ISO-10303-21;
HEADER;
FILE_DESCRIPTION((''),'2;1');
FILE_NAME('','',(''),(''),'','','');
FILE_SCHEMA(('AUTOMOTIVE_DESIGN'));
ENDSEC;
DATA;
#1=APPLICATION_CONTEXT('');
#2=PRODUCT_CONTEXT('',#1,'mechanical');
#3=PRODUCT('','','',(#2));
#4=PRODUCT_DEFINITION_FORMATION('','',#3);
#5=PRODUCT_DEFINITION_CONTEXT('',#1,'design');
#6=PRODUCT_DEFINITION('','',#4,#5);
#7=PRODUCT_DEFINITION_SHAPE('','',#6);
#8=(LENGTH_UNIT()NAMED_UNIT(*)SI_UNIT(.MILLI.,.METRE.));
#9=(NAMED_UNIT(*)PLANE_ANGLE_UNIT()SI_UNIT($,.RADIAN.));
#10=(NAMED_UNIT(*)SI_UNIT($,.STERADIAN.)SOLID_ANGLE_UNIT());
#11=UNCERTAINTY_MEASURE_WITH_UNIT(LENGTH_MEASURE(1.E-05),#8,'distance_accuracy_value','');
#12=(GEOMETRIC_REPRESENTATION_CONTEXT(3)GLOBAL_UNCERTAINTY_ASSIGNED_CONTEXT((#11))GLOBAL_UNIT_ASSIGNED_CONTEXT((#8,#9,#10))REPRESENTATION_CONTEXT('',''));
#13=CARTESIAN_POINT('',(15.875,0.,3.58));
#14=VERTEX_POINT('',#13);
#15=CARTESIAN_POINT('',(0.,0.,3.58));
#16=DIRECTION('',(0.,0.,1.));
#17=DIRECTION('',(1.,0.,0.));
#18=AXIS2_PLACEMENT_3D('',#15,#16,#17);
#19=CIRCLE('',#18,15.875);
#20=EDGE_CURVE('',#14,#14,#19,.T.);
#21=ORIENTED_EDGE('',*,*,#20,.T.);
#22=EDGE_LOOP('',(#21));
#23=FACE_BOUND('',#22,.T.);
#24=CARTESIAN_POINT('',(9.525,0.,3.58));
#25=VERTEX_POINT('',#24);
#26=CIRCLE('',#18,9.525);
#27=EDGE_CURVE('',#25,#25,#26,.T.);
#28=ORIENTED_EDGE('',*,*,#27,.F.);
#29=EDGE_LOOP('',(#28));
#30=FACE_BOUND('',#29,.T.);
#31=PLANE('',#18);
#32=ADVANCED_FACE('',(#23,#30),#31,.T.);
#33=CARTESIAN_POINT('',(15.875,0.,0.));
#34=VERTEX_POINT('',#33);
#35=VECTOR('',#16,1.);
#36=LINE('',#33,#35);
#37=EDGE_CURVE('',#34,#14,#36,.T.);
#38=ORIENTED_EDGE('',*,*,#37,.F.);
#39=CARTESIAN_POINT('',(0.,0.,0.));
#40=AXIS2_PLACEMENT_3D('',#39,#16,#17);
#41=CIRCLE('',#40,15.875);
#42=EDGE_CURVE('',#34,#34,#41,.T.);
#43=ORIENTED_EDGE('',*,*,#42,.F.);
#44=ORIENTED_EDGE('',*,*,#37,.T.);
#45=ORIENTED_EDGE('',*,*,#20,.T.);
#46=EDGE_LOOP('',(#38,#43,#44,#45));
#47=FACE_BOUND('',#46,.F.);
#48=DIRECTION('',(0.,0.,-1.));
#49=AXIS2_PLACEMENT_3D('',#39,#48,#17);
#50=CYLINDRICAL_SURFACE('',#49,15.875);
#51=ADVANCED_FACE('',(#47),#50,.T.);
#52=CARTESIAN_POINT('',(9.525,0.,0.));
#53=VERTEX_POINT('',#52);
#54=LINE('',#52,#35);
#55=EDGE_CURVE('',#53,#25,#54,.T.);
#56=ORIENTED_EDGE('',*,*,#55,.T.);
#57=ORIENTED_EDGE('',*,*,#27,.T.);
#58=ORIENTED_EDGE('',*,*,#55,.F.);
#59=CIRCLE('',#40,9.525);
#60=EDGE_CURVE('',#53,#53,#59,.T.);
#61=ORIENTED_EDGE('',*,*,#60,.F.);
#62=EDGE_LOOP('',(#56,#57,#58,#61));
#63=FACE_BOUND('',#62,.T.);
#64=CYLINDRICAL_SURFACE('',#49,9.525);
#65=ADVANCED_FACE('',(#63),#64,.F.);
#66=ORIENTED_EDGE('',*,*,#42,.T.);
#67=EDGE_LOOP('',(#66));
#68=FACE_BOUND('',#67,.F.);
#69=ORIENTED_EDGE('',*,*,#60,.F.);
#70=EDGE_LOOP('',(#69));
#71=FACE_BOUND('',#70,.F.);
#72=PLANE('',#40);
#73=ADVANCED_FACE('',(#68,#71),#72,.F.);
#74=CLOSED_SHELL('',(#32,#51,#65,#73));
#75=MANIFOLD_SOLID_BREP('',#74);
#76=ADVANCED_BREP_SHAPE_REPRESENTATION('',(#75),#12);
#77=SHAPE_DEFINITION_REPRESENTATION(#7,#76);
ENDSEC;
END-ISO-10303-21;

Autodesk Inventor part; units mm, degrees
ref_plane "YZ Plane" through (0, 0, 0) normal (1, 0, 0) x (0, 1, 0)
ref_plane "XZ Plane" through (0, 0, 0) normal (0, 1, 0) x (-1, 0, 0)
ref_plane "XY Plane" through (0, 0, 0) normal (0, 0, 1) x (1, 0, 0)
sketch "Sketch1" plane through (0, 0, 0) normal (0, 0, 1) x (1, 0, 0)
  circle A0 centre (0, 0) radius 9.525
  circle A1 centre (0, 0) radius 15.875
  dimension "d0" = 31.75
  dimension "d1" = 19.05
extrude "Extrusion1" add sketch "Sketch1" along normal blind 3.58
properties part number "ThrustBearing" material "Stainless Steel"
